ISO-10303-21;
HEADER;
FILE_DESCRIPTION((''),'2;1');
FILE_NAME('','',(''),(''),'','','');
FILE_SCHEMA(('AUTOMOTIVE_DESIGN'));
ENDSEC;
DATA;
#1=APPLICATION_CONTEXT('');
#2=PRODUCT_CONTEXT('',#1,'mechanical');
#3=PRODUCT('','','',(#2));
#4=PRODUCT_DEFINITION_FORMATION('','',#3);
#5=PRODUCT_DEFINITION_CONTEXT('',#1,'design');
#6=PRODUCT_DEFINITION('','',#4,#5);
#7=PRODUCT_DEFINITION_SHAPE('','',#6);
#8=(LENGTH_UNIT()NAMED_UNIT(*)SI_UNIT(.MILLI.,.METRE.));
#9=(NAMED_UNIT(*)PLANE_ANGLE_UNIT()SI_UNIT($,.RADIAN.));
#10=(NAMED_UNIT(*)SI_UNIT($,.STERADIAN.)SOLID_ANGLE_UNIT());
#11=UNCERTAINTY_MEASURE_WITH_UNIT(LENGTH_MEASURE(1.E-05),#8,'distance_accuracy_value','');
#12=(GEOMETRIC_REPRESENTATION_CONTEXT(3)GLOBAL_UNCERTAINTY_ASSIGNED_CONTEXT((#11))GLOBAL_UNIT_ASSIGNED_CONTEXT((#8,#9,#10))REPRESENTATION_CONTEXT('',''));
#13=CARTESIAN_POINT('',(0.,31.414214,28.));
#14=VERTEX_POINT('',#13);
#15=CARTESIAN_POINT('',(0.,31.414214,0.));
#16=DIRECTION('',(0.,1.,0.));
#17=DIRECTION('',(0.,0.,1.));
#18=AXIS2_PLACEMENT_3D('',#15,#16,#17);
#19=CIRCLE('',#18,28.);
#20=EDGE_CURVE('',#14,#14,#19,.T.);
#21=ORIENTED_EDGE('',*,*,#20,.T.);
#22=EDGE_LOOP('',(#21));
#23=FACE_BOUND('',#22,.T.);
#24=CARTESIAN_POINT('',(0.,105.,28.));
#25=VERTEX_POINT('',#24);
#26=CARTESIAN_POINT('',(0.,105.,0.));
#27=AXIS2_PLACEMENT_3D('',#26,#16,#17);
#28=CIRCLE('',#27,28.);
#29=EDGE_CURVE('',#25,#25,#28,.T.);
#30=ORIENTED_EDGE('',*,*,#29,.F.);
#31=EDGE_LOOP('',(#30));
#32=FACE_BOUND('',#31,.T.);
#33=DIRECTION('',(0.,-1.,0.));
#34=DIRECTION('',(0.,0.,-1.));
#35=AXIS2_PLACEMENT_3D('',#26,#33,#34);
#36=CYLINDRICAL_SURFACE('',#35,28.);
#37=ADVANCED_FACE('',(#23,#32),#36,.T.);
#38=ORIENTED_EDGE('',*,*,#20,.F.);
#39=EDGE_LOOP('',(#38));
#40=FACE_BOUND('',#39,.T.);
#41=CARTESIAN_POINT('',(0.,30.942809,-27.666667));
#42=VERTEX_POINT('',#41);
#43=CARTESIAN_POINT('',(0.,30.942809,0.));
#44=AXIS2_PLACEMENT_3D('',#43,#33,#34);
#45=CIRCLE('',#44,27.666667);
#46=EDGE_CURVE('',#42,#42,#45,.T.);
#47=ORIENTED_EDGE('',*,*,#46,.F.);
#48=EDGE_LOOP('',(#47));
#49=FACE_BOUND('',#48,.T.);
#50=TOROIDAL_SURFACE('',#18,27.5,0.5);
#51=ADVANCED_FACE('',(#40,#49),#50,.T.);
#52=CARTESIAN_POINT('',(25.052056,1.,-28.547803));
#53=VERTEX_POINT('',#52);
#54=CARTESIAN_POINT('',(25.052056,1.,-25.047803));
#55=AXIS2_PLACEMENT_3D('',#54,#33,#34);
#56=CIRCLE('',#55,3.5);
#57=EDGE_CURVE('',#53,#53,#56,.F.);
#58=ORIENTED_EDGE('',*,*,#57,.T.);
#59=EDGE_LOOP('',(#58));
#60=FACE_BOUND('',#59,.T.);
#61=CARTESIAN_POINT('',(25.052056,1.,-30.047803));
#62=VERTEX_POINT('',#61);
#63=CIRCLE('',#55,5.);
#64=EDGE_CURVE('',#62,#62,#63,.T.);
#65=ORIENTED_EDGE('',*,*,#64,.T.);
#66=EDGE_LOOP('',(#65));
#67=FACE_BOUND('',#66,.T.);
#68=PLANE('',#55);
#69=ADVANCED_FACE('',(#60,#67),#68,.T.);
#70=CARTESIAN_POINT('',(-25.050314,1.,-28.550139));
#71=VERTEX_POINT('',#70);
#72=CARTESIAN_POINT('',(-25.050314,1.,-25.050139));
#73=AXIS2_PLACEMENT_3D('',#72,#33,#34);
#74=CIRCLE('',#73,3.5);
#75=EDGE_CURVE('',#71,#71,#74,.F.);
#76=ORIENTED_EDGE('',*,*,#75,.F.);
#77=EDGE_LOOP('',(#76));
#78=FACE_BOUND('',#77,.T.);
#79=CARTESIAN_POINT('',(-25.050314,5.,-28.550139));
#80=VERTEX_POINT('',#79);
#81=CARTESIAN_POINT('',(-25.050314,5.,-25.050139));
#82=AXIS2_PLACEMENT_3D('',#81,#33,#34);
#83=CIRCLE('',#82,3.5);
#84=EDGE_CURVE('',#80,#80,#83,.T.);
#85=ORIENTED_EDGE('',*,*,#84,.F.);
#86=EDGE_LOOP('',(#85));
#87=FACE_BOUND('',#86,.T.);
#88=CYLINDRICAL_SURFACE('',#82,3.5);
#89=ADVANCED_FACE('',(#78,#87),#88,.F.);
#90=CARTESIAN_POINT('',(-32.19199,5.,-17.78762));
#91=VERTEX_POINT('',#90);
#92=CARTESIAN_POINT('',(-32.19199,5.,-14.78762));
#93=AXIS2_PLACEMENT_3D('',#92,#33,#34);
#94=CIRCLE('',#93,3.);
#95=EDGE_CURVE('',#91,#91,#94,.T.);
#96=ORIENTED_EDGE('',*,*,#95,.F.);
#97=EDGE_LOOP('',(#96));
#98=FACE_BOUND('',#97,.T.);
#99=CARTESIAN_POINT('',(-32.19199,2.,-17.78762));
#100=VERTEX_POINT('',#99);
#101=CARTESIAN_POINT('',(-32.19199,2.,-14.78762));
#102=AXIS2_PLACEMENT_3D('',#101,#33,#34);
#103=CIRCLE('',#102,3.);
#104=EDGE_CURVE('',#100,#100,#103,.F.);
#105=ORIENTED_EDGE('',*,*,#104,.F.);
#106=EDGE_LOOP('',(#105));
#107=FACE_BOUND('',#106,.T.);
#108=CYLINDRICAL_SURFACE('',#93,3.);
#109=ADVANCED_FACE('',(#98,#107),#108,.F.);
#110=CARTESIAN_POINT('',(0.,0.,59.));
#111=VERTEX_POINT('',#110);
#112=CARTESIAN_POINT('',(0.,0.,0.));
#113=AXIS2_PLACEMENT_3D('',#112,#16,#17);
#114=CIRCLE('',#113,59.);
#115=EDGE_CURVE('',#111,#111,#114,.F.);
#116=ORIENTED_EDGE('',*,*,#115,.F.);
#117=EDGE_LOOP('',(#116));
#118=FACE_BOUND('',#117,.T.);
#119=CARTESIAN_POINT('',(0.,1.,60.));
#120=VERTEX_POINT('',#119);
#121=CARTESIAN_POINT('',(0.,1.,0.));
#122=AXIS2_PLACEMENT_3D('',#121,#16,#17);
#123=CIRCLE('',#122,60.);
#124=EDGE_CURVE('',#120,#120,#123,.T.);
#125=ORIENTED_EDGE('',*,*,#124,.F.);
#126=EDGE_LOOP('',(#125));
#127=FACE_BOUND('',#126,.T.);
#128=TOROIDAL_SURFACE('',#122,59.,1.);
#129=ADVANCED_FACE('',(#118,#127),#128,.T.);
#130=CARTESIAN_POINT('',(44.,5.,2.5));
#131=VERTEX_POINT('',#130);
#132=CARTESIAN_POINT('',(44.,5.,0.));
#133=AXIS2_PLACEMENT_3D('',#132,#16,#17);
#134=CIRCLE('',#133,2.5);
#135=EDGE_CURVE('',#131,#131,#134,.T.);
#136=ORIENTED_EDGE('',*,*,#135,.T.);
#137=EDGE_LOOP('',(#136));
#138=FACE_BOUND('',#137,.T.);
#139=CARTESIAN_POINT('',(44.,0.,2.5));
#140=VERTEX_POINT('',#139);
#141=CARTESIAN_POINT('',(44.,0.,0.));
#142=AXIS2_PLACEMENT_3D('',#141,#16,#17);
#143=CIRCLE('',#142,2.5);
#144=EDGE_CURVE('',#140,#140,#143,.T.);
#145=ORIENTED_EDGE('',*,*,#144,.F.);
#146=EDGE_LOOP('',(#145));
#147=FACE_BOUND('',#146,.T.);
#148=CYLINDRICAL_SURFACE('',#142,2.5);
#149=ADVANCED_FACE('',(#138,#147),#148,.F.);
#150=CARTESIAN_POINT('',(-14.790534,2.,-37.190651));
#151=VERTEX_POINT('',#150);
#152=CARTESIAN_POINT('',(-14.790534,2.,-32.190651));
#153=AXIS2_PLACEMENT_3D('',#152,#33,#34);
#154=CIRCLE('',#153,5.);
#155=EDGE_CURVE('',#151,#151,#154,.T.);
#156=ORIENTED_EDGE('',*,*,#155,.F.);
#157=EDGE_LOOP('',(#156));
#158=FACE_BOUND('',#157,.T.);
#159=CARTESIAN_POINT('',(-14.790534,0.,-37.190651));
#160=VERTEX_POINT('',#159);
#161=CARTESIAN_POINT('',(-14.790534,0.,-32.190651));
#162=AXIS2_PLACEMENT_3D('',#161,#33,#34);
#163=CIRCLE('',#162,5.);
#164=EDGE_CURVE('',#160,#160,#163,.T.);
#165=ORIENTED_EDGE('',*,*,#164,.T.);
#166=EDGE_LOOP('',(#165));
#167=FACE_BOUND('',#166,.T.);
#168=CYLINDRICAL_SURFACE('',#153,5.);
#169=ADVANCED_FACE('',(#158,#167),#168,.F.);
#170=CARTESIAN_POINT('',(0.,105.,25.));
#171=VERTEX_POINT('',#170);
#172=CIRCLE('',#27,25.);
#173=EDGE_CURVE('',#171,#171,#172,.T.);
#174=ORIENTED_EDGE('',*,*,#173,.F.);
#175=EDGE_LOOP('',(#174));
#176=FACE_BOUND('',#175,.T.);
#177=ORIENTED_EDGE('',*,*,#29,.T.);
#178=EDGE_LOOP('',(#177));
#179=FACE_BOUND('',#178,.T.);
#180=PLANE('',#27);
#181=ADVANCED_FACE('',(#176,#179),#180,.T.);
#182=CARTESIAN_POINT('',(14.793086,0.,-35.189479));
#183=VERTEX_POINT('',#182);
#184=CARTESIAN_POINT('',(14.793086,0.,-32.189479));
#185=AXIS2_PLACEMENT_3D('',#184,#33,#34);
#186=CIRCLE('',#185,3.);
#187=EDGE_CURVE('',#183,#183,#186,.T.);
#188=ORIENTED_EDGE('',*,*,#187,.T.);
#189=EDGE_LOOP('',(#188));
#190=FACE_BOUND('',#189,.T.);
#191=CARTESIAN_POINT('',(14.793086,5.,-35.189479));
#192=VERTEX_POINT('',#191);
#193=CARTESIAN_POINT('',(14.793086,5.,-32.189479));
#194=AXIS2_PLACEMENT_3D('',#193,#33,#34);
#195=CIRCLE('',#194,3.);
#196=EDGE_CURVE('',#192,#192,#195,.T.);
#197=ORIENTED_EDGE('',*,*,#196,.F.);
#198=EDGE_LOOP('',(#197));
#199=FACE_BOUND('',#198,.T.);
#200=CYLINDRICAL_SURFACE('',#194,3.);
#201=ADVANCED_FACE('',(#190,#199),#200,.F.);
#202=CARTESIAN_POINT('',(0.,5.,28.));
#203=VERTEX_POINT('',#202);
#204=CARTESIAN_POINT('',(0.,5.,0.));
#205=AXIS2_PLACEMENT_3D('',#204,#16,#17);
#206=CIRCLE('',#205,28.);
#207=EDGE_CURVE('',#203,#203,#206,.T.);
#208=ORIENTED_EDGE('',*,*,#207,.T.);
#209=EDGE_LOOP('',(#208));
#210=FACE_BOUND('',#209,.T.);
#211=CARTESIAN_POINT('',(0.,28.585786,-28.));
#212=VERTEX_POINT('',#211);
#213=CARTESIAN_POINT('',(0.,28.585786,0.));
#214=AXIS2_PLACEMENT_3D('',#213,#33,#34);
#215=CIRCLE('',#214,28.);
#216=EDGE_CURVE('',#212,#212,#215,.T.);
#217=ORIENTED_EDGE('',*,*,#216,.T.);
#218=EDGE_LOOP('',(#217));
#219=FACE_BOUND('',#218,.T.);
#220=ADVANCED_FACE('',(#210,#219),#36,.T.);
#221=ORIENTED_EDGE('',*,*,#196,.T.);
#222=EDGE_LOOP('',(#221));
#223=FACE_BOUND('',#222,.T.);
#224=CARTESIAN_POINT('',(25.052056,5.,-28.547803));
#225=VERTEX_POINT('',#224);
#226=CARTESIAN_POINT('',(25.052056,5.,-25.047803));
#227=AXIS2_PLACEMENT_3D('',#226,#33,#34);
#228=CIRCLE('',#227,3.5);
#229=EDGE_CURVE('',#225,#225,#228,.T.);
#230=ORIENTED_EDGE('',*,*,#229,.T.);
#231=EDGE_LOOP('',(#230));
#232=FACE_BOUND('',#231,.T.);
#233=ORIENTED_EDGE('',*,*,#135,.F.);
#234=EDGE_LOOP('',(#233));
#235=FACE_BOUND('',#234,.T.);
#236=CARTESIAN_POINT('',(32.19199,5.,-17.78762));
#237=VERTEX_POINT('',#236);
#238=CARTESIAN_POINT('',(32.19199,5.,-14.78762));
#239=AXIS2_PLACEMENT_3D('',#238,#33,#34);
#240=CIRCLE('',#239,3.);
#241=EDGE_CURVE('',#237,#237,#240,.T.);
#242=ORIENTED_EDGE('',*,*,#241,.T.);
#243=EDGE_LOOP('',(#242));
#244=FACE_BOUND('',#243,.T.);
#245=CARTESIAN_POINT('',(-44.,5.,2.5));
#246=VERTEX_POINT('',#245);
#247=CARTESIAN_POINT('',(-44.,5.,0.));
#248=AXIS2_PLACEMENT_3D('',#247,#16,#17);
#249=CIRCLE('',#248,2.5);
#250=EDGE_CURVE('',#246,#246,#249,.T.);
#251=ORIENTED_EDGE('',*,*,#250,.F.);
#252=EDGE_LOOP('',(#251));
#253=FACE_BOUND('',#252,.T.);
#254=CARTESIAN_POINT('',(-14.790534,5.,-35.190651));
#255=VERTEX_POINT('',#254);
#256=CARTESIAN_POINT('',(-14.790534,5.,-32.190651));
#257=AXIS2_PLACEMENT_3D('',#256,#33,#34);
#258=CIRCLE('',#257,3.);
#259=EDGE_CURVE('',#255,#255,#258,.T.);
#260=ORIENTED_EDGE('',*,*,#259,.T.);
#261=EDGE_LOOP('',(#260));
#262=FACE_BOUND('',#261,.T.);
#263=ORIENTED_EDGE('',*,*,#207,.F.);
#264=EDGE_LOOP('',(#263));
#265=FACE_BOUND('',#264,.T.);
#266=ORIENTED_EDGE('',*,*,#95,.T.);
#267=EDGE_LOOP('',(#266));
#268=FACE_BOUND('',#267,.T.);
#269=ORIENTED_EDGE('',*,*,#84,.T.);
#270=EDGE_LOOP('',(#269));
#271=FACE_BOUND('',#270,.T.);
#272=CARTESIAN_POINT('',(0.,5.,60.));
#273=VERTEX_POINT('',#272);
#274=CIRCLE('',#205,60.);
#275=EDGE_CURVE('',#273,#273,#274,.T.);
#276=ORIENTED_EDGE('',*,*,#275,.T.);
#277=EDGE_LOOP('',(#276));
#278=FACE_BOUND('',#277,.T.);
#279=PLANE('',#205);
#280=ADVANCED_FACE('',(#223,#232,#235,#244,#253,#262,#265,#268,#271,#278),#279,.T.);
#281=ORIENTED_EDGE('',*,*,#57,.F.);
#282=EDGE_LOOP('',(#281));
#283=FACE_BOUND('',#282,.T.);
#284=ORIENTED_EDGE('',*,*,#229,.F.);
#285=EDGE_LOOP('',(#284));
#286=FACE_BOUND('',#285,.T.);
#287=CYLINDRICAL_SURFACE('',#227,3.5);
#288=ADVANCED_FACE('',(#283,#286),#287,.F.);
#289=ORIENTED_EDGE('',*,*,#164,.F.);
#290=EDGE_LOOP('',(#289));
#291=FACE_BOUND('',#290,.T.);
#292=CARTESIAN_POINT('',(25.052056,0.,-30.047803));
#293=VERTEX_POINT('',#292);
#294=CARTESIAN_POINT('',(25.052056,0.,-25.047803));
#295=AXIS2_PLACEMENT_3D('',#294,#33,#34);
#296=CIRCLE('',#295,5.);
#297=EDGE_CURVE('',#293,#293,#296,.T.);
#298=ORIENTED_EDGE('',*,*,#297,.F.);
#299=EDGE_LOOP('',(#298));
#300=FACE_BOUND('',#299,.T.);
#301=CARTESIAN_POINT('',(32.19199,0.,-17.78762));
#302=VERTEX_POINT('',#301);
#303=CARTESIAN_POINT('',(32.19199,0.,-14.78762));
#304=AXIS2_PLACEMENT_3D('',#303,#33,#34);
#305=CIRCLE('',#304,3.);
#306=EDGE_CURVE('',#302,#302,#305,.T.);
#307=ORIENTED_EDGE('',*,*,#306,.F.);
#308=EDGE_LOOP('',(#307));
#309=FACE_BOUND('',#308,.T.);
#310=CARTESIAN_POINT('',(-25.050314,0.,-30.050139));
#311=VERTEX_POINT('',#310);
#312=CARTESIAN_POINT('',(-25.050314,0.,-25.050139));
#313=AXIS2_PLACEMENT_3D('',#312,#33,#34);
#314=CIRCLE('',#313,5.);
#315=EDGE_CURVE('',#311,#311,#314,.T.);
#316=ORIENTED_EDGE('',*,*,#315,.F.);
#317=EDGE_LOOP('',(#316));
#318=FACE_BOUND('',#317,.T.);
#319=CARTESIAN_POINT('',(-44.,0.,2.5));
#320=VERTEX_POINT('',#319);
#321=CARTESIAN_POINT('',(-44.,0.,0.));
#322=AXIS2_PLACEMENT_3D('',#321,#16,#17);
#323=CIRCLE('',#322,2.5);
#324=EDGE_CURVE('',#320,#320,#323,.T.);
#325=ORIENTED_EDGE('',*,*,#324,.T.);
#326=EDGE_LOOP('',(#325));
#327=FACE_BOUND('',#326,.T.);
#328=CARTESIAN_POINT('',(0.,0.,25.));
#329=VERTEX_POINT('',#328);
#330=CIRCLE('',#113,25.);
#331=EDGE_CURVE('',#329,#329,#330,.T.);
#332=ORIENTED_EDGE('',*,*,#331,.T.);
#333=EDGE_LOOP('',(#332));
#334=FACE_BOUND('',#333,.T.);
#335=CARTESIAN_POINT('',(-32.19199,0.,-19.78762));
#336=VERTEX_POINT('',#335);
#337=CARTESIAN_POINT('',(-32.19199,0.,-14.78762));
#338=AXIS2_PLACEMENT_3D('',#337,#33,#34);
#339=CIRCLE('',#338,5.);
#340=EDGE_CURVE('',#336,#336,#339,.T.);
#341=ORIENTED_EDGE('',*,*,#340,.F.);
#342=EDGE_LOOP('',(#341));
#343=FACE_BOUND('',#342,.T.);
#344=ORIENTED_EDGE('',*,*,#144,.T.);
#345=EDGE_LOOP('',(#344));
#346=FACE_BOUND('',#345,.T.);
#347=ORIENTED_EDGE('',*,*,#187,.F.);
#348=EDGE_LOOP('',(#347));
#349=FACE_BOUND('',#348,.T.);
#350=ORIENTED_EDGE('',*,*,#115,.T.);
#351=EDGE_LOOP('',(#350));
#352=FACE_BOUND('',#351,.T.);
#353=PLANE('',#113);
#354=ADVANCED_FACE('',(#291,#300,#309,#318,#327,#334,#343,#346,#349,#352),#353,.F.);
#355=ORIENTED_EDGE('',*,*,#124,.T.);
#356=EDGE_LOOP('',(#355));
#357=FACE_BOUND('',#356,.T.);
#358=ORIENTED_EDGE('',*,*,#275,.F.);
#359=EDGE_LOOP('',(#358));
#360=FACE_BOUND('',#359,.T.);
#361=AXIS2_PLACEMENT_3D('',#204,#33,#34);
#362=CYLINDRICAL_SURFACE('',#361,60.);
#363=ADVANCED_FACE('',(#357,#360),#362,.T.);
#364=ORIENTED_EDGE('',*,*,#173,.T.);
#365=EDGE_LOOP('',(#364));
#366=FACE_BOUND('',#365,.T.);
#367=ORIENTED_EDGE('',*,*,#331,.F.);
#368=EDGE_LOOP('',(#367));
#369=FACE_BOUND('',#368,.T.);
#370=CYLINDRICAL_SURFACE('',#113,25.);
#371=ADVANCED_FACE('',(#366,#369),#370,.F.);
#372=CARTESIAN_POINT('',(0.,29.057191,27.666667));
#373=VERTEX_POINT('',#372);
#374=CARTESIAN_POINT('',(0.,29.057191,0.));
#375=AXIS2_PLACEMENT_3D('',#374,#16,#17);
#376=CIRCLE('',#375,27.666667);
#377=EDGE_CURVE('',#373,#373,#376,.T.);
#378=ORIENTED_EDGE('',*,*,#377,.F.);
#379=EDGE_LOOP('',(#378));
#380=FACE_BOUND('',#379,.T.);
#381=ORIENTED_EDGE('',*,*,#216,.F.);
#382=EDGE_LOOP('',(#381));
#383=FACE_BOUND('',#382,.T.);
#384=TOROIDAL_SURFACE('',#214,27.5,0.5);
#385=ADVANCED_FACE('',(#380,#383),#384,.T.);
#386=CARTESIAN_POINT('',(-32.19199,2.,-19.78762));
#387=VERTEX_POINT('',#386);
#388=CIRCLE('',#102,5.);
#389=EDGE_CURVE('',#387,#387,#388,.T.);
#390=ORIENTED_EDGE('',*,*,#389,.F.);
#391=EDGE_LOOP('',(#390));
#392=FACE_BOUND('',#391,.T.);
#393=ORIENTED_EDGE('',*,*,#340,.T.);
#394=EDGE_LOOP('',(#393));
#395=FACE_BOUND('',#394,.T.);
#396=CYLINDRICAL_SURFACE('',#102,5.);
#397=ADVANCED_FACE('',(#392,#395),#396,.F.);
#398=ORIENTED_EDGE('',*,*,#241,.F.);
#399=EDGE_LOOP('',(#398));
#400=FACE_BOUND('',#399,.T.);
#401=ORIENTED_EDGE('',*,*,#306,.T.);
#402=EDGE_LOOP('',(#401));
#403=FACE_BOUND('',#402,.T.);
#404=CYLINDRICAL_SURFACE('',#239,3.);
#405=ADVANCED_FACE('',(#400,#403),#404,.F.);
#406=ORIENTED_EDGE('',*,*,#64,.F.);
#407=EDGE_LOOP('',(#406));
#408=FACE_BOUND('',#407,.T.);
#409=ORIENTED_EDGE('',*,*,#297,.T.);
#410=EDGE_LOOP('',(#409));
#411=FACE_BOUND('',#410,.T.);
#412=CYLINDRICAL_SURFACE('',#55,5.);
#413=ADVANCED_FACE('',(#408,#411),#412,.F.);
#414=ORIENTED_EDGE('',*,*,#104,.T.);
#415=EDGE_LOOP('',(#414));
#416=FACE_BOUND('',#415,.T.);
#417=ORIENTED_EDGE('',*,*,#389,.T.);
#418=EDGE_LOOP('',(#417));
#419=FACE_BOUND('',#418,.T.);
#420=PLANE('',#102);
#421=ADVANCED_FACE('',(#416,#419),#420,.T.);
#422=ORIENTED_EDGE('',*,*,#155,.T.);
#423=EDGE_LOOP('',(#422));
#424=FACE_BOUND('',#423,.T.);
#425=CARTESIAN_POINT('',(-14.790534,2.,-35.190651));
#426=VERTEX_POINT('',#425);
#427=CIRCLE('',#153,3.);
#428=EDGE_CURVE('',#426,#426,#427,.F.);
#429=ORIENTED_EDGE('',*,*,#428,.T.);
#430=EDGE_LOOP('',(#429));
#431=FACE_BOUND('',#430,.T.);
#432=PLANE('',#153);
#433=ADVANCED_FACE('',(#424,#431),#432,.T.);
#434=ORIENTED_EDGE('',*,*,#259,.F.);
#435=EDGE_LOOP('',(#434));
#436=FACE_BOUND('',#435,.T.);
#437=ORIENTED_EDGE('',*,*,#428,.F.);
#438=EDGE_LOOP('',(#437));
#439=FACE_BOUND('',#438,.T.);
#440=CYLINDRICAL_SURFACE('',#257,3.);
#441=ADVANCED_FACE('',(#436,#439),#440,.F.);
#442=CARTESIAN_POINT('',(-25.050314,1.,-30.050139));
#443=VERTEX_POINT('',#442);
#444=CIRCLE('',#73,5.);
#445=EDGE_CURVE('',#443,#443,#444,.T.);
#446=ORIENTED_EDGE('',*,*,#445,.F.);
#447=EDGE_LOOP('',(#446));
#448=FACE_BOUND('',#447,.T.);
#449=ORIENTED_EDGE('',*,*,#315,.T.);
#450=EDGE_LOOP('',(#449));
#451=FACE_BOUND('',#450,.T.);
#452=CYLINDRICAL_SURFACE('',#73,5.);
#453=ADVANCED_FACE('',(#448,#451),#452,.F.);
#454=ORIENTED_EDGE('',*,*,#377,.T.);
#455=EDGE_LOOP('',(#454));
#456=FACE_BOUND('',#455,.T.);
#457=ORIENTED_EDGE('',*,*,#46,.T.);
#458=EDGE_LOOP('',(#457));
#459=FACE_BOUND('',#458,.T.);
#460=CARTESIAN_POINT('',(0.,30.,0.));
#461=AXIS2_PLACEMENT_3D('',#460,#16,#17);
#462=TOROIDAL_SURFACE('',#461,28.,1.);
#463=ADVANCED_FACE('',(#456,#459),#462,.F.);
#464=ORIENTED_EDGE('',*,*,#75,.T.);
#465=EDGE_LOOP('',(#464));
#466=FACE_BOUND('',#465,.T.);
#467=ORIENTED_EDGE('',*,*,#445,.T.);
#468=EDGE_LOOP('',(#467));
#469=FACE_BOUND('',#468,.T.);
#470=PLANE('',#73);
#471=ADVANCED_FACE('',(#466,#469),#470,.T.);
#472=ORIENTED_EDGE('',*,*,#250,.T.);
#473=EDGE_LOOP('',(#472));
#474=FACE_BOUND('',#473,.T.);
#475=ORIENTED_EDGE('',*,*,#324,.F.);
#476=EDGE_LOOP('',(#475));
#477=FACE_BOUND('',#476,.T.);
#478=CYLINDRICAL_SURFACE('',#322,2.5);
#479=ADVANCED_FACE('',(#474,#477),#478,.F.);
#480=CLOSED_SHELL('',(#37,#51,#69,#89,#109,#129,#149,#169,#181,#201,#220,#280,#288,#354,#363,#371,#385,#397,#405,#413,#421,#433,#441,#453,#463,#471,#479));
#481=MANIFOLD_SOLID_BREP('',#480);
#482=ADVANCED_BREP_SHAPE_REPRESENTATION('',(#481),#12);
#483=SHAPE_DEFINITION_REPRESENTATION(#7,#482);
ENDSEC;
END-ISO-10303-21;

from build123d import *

# Parameters (mm, degrees)
SKETCH1_R           = 60
BOSS_EXTRUDE1_DEPTH = 5
SKETCH2_R           = 2.5
CUT_EXTRUDE1_DEPTH  = 5
SKETCH3_R           = 28
BOSS_EXTRUDE2_DEPTH = 100
SKETCH5_R           = 25
CUT_EXTRUDE3_DEPTH  = 105
SKETCH7_R           = 1
FILLET2_R           = 1
FILLET3_R           = 0.5
FILLET4_R           = 0.5
SKETCH9_R           = 3.5
SKETCH9_R_2         = 3
CUT_EXTRUDE4_DEPTH  = 5
SKETCH10_R          = 5
CUT_EXTRUDE6_DEPTH  = 1
SKETCH11_R          = 5
CUT_EXTRUDE7_DEPTH  = 2


with BuildPart() as part:
    # Sketch1 → Boss-Extrude1 (new body)
    with BuildSketch(Plane(origin=(0, 0, 0), x_dir=(1, 0, 0), z_dir=(0, 1, 0))):
        with Locations(Location((0, 0, 0), (0, 0, 270))):
            Circle(SKETCH1_R)
    extrude(amount=BOSS_EXTRUDE1_DEPTH)

    # Sketch2 → Cut-Extrude1 (cut)
    with BuildSketch(Plane(origin=(0, 5, 0), x_dir=(1, 0, 0), z_dir=(0, 1, 0))):
        with Locations(Location((-44, 0, 0), (0, 0, 270))):
            Circle(SKETCH2_R)
        with Locations(Location((44, 0, 0), (0, 0, 270))):
            Circle(SKETCH2_R)
    extrude(amount=-CUT_EXTRUDE1_DEPTH, mode=Mode.SUBTRACT)

    # Sketch3 → Boss-Extrude2 (add)
    with BuildSketch(Plane(origin=(0, 5, 0), x_dir=(1, 0, 0), z_dir=(0, 1, 0))):
        with Locations(Location((0, 0, 0), (0, 0, 270))):
            Circle(SKETCH3_R)
    extrude(amount=BOSS_EXTRUDE2_DEPTH)

    # Sketch5 → Cut-Extrude3 (cut)
    with BuildSketch(Plane(origin=(0, 105, 0), x_dir=(1, 0, 0), z_dir=(0, 1, 0))):
        with Locations(Location((0, 0, 0), (0, 0, 270))):
            Circle(SKETCH5_R)
    extrude(amount=-CUT_EXTRUDE3_DEPTH, mode=Mode.SUBTRACT)

    # Sketch7 → Cut-Revolve1 (revolve, cut)
    with BuildSketch(Plane(origin=(0, 0, 0), x_dir=(0, 0, -1), z_dir=(1, 0, 0)), mode=Mode.PRIVATE) as cut_revolve1_sk:
        with Locations((28, 30)):
            Circle(SKETCH7_R)
    revolve(cut_revolve1_sk.sketch.rotate(Axis((0, 105, 0), (0, -1, 0)), 180), axis=Axis((0, 105, 0), (0, -1, 0)), mode=Mode.SUBTRACT)

    # Fillet2
    fillet2_edges = [part.edges().sort_by_distance(p)[0] for p in [
        (0, 0, -60),
    ]]
    fillet(fillet2_edges, radius=FILLET2_R)

    # Fillet3
    fillet3_edges = [part.edges().sort_by_distance(p)[0] for p in [
        (0, 29, -28),
    ]]
    fillet(fillet3_edges, radius=FILLET3_R)

    # Fillet4
    fillet4_edges = [part.edges().sort_by_distance(p)[0] for p in [
        (0, 31, -28),
    ]]
    fillet(fillet4_edges, radius=FILLET4_R)

    # Sketch9 → Cut-Extrude4 (cut)
    with BuildSketch(Plane.XZ):
        with Locations(Location((-25.050313714, -25.050138973, 0), (0, 0, 270))):
            Circle(SKETCH9_R)
        with Locations(Location((25.052056005, -25.047802603, 0), (0, 0, 270))):
            Circle(SKETCH9_R)
        with Locations(Location((32.191989922, -14.787620166, 0), (0, 0, 270))):
            Circle(SKETCH9_R_2)
        with Locations(Location((14.793086054, -32.189478566, 0), (0, 0, 270))):
            Circle(SKETCH9_R_2)
        with Locations(Location((-14.79053384, -32.190651346, 0), (0, 0, 270))):
            Circle(SKETCH9_R_2)
        with Locations(Location((-32.191989922, -14.787620166, 0), (0, 0, 270))):
            Circle(SKETCH9_R_2)
    extrude(amount=-CUT_EXTRUDE4_DEPTH, mode=Mode.SUBTRACT)

    # Sketch10 → Cut-Extrude6 (cut)
    with BuildSketch(Plane.XZ):
        with Locations(Location((-25.050313714, -25.050138973, 0), (0, 0, 270))):
            Circle(SKETCH10_R)
        with Locations(Location((25.052056005, -25.047802603, 0), (0, 0, 270))):
            Circle(SKETCH10_R)
    extrude(amount=-CUT_EXTRUDE6_DEPTH, mode=Mode.SUBTRACT)

    # Sketch11 → Cut-Extrude7 (cut)
    with BuildSketch(Plane.XZ):
        with Locations(Location((-32.191989922, -14.787620166, 0), (0, 0, 270))):
            Circle(SKETCH11_R)
        with Locations(Location((-14.79053384, -32.190651346, 0), (0, 0, 270))):
            Circle(SKETCH11_R)
    extrude(amount=-CUT_EXTRUDE7_DEPTH, mode=Mode.SUBTRACT)


solid = part.part
